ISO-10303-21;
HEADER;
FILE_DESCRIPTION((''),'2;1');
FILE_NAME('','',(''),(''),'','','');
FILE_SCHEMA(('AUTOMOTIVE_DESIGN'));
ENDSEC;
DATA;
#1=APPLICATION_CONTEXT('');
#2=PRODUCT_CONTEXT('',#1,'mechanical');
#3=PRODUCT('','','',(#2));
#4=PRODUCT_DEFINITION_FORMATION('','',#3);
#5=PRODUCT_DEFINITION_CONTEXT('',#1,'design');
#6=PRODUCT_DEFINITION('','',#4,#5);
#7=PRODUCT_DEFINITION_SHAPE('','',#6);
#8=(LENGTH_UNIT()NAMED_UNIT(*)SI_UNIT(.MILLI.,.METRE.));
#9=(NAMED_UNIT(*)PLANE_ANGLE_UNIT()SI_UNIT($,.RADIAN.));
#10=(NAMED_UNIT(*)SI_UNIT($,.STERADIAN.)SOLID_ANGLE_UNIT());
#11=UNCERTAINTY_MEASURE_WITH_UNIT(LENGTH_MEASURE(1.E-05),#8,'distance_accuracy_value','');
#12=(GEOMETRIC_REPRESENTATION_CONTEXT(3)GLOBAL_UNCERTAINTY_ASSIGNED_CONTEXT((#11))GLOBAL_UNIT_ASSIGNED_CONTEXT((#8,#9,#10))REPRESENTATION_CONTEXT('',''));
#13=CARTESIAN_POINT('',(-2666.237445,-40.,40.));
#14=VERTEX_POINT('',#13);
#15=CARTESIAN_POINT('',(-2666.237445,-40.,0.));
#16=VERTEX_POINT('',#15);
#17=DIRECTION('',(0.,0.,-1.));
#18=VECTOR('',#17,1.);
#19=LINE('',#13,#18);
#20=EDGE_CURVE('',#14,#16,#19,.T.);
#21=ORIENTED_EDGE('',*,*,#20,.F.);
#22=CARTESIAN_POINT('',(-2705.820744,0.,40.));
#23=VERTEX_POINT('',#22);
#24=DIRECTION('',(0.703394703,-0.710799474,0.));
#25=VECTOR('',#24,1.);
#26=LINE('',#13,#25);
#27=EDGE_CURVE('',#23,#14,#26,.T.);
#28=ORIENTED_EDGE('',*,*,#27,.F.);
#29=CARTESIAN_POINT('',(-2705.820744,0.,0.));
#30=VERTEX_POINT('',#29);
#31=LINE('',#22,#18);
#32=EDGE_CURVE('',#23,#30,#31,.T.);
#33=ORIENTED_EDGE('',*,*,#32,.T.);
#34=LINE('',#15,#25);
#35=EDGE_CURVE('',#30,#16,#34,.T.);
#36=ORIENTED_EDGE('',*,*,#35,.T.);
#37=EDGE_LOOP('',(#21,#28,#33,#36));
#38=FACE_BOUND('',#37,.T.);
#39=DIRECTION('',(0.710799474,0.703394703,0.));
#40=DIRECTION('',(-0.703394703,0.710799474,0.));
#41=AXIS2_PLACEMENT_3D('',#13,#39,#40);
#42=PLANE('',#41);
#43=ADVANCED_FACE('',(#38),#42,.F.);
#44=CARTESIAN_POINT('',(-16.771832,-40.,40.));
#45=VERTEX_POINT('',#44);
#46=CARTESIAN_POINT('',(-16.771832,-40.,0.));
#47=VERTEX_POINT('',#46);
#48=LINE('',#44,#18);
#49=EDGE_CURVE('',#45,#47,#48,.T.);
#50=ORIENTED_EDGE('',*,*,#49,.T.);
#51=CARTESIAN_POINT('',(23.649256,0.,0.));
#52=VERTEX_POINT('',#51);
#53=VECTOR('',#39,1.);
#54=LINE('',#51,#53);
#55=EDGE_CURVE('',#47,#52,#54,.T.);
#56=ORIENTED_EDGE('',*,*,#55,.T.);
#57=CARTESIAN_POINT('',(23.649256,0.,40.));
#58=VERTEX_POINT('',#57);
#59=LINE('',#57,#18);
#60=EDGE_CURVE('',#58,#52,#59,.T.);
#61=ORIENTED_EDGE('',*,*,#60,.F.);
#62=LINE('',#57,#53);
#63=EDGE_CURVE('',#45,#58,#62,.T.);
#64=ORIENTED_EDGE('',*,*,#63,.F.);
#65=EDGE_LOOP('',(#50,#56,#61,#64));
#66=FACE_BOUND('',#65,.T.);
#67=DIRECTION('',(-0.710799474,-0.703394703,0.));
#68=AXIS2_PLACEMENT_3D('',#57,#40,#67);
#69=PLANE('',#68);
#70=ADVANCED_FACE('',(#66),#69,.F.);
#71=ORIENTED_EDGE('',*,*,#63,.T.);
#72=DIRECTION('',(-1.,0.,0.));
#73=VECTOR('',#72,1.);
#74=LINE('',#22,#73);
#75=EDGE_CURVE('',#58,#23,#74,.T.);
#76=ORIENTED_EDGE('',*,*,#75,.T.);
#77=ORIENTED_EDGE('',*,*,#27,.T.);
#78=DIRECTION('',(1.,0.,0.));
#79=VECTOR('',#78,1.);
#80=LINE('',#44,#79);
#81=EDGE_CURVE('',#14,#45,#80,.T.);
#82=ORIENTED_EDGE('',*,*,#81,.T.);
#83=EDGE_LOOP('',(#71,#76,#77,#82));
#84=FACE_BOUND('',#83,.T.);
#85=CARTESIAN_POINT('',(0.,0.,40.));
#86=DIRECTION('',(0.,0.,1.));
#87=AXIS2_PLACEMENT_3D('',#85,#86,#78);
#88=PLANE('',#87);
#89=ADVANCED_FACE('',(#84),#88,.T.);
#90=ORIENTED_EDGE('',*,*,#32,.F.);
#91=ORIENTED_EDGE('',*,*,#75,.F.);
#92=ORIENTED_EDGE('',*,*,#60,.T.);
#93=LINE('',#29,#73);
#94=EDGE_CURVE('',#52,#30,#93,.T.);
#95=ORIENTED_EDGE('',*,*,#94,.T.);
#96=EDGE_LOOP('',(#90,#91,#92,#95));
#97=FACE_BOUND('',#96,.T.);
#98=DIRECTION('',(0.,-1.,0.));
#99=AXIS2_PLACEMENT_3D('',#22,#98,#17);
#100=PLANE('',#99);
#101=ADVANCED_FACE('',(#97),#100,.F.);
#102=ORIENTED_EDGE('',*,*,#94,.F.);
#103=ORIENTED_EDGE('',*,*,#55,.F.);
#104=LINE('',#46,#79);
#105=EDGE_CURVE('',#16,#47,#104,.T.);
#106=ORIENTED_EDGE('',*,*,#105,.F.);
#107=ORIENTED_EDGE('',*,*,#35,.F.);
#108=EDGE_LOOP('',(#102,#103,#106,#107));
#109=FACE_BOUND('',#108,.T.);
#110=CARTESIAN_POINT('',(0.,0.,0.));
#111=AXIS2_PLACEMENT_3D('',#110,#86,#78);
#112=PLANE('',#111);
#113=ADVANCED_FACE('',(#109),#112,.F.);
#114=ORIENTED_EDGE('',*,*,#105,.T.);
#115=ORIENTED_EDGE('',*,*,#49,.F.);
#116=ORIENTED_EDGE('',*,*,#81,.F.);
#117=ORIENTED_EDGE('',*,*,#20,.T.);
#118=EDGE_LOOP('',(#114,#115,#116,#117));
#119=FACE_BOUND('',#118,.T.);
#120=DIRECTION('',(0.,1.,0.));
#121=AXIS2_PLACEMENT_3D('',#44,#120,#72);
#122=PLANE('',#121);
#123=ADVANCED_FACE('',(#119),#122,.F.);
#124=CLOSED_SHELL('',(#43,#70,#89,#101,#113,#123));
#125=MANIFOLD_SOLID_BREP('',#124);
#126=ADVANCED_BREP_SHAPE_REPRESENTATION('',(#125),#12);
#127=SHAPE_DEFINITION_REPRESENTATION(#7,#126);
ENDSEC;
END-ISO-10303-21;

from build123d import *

# Parameters (mm, degrees)
BOSS_EXTRUDE1_DEPTH = 40


with BuildPart() as part:
    # Sketch2 → Boss-Extrude1 (new body)
    with BuildSketch(Plane.XY):
        Polygon((-2705.82074398, 0), (23.64925602, 0), (-16.771831658, -40), (-2666.237444967, -40), align=None)
    extrude(amount=BOSS_EXTRUDE1_DEPTH)


solid = part.part
